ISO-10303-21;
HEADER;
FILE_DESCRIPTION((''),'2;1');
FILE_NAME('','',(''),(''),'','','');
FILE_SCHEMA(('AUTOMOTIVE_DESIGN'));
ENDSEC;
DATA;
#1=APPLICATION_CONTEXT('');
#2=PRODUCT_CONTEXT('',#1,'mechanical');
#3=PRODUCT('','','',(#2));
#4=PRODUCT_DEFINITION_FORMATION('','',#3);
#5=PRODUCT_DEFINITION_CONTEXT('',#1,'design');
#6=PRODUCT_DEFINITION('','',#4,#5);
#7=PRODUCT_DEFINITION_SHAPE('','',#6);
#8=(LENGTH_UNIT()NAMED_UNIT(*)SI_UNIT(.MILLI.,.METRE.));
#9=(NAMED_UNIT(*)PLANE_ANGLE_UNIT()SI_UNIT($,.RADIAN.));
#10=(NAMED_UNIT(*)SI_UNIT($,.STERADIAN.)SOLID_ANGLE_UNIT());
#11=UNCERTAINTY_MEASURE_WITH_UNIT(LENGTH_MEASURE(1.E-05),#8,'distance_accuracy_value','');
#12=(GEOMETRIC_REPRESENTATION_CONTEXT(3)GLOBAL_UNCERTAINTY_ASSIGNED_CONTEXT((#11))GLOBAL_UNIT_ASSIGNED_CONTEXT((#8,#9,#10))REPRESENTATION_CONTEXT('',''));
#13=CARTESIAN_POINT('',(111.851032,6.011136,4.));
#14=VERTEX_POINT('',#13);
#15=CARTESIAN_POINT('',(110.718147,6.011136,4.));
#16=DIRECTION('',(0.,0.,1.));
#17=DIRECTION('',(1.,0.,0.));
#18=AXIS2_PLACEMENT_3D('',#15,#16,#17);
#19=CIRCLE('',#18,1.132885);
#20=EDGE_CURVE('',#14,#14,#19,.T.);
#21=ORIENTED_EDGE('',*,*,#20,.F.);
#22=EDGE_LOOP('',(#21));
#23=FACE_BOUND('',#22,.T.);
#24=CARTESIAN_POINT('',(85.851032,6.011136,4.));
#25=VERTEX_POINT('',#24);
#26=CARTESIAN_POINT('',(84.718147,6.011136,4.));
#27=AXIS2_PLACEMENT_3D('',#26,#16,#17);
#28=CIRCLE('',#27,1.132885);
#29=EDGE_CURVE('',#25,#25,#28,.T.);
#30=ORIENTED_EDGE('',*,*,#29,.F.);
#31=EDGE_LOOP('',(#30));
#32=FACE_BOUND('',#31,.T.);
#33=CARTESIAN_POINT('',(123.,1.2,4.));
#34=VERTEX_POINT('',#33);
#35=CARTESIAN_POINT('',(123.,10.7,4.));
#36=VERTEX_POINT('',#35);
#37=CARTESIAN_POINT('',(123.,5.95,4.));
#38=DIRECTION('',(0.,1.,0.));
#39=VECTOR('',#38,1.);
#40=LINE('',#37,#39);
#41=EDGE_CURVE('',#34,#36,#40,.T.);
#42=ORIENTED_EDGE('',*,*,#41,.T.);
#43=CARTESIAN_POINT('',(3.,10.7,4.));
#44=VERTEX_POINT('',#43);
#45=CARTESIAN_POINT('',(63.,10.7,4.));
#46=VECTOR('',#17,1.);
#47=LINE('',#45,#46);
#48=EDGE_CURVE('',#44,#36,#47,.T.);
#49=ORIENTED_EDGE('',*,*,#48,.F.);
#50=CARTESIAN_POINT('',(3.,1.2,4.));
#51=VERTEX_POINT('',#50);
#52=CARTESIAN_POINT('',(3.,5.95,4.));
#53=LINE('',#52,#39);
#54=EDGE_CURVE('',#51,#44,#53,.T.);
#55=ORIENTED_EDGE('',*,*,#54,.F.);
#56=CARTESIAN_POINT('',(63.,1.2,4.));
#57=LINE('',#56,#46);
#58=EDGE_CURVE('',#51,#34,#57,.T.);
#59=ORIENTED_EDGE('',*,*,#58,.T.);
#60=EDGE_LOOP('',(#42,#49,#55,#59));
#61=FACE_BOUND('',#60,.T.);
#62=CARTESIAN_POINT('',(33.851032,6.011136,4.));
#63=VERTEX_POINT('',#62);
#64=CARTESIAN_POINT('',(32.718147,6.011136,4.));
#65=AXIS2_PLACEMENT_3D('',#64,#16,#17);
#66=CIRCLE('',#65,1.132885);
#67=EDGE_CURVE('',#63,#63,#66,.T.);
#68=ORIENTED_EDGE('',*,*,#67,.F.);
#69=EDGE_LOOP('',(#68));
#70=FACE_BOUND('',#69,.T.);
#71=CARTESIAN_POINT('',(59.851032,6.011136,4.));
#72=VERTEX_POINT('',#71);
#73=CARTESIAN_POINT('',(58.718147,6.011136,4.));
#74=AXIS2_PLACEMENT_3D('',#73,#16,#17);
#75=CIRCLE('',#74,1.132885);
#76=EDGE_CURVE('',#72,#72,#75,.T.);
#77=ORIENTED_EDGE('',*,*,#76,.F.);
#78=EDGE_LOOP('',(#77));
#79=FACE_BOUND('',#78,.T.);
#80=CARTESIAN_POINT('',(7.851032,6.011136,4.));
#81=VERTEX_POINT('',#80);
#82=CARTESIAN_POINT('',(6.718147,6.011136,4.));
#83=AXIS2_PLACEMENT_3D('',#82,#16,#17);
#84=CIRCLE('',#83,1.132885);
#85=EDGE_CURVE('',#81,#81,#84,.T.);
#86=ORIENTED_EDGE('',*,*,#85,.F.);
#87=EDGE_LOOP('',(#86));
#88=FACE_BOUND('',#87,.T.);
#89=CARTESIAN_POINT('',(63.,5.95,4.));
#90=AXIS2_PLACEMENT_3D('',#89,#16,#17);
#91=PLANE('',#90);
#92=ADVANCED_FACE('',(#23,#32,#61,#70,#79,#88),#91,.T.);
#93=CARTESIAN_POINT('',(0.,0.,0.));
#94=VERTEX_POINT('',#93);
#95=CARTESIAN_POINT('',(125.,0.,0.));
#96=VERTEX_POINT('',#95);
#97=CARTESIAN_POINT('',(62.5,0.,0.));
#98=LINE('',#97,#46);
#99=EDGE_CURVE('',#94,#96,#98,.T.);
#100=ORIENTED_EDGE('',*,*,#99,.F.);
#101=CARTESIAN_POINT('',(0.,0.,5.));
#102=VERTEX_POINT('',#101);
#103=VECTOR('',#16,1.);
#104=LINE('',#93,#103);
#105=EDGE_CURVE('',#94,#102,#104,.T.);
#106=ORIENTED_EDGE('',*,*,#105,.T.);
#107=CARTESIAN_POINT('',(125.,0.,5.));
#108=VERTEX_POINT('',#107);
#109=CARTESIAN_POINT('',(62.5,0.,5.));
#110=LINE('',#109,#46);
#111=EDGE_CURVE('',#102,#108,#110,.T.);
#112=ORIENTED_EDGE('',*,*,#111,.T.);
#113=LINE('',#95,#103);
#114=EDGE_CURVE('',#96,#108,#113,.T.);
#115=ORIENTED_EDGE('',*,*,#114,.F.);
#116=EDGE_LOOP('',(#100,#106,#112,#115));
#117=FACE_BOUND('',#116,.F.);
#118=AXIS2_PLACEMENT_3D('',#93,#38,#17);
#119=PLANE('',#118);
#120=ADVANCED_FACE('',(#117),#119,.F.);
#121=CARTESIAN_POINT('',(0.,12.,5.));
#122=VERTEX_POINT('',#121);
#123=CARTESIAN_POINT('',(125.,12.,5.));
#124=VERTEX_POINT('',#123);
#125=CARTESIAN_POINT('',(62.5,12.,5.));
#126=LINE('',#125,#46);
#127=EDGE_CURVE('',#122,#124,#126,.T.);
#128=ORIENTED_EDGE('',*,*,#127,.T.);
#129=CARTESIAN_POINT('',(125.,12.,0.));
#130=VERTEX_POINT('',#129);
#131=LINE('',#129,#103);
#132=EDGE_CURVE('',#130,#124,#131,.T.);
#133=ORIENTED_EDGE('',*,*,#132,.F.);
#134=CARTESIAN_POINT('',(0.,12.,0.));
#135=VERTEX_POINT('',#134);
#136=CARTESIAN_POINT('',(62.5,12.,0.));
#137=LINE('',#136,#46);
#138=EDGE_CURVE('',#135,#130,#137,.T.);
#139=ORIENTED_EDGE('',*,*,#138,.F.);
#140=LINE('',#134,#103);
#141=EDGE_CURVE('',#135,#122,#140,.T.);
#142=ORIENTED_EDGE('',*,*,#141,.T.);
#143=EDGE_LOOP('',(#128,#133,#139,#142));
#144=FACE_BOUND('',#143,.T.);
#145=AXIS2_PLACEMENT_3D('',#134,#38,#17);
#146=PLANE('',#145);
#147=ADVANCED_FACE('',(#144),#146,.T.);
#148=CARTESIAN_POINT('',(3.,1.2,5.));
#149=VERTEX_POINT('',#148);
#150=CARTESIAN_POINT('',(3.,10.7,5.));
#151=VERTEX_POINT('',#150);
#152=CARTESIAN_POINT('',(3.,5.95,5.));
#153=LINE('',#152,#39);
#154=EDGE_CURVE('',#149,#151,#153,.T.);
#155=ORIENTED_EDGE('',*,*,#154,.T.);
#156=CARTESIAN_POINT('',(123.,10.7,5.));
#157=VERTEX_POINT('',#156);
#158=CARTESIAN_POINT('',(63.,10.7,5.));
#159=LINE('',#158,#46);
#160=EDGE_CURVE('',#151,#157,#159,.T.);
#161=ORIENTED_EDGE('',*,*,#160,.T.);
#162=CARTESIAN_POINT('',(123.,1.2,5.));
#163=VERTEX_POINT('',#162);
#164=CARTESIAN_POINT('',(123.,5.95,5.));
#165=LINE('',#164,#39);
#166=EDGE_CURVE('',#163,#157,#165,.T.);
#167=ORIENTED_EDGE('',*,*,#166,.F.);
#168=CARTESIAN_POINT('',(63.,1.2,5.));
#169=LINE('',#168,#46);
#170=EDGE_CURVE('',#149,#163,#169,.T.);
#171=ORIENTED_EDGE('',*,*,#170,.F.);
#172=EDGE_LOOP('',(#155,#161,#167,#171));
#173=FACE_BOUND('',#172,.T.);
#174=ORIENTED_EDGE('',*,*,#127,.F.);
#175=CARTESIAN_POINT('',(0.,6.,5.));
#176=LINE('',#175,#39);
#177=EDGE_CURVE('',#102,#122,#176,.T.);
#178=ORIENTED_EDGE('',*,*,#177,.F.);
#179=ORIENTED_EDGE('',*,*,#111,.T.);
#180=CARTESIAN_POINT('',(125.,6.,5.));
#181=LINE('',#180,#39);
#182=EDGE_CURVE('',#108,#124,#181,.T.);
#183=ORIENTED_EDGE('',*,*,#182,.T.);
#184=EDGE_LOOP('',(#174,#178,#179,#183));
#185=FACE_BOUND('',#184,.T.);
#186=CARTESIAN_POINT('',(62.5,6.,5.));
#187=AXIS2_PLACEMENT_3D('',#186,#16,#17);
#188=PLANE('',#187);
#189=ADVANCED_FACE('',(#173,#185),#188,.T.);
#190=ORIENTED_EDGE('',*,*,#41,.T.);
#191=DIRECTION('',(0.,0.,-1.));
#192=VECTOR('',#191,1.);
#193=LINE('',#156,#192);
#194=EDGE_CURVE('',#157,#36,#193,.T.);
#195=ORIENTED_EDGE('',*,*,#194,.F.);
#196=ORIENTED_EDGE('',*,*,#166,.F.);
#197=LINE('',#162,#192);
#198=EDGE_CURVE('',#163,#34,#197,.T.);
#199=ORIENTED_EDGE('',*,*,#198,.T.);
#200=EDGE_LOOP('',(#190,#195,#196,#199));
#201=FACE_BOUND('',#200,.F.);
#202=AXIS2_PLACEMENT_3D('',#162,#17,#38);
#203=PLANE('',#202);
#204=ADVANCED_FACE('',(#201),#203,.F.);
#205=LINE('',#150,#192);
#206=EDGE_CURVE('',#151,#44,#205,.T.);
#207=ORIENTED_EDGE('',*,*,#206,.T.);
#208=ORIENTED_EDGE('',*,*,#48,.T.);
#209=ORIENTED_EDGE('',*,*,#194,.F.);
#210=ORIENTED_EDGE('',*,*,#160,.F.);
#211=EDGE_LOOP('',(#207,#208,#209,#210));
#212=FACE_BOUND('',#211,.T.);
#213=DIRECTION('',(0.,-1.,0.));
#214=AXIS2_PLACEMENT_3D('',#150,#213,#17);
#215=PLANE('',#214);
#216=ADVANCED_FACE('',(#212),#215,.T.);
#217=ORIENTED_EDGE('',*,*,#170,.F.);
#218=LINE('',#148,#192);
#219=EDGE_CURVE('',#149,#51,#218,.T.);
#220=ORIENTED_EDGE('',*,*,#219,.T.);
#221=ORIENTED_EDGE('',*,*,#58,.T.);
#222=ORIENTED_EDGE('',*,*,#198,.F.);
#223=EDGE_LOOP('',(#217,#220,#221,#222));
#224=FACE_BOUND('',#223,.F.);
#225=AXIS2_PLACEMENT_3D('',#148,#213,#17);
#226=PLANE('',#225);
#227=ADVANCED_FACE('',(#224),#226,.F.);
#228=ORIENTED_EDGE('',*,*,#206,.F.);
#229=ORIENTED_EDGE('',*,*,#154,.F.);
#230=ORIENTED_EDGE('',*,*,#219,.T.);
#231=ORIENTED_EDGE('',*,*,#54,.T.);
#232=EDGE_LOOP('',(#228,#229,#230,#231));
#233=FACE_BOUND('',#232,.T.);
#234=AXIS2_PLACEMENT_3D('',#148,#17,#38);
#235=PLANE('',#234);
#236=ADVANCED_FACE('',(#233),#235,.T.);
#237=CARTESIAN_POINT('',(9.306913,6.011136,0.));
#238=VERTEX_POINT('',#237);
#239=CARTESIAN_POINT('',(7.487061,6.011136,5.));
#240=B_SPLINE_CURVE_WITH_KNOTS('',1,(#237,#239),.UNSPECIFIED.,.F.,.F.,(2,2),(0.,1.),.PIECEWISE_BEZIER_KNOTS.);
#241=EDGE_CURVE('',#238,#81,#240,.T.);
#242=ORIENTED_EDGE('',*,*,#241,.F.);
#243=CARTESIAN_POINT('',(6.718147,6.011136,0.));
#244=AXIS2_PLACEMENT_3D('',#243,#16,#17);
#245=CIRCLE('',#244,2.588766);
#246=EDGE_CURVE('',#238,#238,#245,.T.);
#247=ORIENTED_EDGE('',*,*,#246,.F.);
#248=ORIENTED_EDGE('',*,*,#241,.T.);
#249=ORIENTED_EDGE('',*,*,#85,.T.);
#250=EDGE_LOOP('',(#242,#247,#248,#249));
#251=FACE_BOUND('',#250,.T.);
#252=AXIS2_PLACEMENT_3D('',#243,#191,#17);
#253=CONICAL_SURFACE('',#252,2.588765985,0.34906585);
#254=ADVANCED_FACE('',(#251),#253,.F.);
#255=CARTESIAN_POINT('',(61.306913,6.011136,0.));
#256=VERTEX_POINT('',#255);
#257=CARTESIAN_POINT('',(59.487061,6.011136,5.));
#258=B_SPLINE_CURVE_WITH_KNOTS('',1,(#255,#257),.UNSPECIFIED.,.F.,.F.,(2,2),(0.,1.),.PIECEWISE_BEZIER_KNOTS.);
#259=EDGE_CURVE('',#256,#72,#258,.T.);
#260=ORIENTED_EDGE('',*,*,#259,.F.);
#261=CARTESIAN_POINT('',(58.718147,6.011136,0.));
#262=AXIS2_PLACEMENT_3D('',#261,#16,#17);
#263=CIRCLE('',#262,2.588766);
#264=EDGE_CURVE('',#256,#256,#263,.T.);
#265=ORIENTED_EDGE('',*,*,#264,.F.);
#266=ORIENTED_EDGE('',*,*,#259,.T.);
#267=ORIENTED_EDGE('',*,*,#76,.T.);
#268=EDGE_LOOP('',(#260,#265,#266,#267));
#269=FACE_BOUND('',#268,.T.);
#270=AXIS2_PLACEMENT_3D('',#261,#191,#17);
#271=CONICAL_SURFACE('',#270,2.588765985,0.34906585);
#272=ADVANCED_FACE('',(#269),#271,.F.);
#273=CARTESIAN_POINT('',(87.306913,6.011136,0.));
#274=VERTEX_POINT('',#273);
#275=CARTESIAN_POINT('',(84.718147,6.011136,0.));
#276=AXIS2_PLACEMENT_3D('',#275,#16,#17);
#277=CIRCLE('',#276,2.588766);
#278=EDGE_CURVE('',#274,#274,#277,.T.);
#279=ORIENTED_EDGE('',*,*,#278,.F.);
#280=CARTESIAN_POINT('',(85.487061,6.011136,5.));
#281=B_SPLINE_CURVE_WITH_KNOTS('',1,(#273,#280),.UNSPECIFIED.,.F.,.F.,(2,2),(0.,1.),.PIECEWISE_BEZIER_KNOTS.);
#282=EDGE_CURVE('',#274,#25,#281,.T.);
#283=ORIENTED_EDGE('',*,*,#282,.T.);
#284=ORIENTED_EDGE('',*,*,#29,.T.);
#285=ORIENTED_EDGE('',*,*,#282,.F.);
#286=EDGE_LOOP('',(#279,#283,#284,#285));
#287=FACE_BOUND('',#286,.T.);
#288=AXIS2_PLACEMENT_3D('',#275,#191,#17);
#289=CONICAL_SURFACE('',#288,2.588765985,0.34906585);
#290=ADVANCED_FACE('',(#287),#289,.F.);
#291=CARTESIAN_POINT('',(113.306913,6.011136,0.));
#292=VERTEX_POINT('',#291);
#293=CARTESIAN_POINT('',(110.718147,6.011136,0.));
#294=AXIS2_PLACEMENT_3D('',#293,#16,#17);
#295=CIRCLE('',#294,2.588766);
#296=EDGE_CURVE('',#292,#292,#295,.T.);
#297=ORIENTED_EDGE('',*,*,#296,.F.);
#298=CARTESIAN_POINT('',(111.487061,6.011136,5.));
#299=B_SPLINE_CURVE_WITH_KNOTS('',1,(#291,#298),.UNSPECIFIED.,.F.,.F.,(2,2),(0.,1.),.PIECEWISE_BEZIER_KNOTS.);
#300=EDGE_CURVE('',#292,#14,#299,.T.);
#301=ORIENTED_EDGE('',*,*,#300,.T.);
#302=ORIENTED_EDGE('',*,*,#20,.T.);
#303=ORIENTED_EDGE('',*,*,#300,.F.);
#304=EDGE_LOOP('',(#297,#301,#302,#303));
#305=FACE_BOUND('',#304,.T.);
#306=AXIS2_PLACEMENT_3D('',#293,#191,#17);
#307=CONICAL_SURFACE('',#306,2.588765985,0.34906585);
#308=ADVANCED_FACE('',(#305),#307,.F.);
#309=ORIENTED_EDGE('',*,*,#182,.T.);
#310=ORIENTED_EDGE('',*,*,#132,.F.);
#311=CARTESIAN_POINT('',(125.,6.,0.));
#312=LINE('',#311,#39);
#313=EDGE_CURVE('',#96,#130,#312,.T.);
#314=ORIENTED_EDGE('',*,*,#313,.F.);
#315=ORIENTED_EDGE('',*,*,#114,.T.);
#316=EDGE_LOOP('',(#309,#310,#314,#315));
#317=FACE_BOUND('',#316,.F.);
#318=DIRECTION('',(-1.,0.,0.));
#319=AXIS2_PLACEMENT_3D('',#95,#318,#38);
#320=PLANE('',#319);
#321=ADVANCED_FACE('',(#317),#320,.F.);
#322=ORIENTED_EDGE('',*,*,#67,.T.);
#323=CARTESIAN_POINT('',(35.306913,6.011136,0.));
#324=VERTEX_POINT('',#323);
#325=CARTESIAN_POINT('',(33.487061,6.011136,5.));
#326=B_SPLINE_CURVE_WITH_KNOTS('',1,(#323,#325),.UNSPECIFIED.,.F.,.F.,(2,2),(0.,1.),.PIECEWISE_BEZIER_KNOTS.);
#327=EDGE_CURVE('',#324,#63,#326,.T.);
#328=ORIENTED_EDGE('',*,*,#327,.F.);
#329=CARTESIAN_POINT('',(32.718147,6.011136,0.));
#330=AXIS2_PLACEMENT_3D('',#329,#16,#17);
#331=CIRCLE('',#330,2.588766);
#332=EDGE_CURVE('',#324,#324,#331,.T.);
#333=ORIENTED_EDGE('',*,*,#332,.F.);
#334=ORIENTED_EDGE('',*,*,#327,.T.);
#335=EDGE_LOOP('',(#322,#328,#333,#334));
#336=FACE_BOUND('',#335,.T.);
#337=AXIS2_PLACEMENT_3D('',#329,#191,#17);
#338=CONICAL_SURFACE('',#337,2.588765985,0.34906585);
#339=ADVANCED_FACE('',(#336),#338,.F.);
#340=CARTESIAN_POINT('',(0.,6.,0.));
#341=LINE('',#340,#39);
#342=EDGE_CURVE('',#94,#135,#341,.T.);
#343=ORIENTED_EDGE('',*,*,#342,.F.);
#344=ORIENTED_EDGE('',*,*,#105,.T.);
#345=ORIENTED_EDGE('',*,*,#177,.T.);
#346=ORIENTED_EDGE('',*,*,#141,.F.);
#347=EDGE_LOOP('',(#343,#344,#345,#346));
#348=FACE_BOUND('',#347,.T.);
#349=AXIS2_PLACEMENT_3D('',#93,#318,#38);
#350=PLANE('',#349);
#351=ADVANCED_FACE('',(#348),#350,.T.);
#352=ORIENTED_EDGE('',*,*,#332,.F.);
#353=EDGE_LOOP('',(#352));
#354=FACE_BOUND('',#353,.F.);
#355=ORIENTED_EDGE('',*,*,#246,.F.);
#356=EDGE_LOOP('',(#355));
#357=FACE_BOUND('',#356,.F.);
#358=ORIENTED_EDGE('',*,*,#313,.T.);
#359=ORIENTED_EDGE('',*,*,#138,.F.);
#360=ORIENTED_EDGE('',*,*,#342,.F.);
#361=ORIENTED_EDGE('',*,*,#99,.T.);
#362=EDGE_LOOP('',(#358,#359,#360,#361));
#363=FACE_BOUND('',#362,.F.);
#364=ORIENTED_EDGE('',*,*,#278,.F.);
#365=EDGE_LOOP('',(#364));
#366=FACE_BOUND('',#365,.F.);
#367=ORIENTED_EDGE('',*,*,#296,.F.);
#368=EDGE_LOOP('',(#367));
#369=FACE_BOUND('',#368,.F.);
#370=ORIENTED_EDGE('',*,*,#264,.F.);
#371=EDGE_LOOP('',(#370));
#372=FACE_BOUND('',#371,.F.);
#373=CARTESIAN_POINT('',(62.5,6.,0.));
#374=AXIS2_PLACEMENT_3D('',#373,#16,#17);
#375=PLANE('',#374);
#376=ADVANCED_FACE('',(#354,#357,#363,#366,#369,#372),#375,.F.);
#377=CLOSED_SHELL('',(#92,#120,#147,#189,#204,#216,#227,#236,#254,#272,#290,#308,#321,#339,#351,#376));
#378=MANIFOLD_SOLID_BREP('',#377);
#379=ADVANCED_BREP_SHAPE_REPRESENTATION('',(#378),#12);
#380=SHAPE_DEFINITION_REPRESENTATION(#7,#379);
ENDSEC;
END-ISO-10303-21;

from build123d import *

# Parameters (mm, degrees)
F0_W     = 125
F0_H     = 12
F1_DEPTH = 5
F2_W     = 120
F2_H     = 9.5
F3_DEPTH = 1
F4_R     = 2.5887659848
F5_DEPTH = 5
F5_TAPER = 20


with BuildPart() as f1:
    # F0 (on Top) → F1 (new body)
    with BuildSketch(Plane.XY):
        with Locations((62.5, 6)):
            Rectangle(F0_W, F0_H)
    extrude(amount=F1_DEPTH)

    # F2 (on face) → F3 (cut)
    with BuildSketch(Plane.XY.offset(5)):
        with Locations((63, 5.95)):
            Rectangle(F2_W, F2_H)
    extrude(amount=-F3_DEPTH, mode=Mode.SUBTRACT)

    # F4 (on face) → F5 (cut)
    with BuildSketch(Plane(origin=(0, 0, 0), x_dir=(1, 0, 0), z_dir=(0, 0, -1))):
        with Locations((6.7181466147, -6.0111363418)):
            Circle(F4_R)
        with Locations((32.7181466147, -6.0111363418)):
            Circle(F4_R)
        with Locations((58.7181466147, -6.0111363418)):
            Circle(F4_R)
        with Locations((84.7181466147, -6.0111363418)):
            Circle(F4_R)
        with Locations((110.7181466147, -6.0111363418)):
            Circle(F4_R)
    extrude(amount=-F5_DEPTH, taper=F5_TAPER, mode=Mode.SUBTRACT)


solid = f1.part
